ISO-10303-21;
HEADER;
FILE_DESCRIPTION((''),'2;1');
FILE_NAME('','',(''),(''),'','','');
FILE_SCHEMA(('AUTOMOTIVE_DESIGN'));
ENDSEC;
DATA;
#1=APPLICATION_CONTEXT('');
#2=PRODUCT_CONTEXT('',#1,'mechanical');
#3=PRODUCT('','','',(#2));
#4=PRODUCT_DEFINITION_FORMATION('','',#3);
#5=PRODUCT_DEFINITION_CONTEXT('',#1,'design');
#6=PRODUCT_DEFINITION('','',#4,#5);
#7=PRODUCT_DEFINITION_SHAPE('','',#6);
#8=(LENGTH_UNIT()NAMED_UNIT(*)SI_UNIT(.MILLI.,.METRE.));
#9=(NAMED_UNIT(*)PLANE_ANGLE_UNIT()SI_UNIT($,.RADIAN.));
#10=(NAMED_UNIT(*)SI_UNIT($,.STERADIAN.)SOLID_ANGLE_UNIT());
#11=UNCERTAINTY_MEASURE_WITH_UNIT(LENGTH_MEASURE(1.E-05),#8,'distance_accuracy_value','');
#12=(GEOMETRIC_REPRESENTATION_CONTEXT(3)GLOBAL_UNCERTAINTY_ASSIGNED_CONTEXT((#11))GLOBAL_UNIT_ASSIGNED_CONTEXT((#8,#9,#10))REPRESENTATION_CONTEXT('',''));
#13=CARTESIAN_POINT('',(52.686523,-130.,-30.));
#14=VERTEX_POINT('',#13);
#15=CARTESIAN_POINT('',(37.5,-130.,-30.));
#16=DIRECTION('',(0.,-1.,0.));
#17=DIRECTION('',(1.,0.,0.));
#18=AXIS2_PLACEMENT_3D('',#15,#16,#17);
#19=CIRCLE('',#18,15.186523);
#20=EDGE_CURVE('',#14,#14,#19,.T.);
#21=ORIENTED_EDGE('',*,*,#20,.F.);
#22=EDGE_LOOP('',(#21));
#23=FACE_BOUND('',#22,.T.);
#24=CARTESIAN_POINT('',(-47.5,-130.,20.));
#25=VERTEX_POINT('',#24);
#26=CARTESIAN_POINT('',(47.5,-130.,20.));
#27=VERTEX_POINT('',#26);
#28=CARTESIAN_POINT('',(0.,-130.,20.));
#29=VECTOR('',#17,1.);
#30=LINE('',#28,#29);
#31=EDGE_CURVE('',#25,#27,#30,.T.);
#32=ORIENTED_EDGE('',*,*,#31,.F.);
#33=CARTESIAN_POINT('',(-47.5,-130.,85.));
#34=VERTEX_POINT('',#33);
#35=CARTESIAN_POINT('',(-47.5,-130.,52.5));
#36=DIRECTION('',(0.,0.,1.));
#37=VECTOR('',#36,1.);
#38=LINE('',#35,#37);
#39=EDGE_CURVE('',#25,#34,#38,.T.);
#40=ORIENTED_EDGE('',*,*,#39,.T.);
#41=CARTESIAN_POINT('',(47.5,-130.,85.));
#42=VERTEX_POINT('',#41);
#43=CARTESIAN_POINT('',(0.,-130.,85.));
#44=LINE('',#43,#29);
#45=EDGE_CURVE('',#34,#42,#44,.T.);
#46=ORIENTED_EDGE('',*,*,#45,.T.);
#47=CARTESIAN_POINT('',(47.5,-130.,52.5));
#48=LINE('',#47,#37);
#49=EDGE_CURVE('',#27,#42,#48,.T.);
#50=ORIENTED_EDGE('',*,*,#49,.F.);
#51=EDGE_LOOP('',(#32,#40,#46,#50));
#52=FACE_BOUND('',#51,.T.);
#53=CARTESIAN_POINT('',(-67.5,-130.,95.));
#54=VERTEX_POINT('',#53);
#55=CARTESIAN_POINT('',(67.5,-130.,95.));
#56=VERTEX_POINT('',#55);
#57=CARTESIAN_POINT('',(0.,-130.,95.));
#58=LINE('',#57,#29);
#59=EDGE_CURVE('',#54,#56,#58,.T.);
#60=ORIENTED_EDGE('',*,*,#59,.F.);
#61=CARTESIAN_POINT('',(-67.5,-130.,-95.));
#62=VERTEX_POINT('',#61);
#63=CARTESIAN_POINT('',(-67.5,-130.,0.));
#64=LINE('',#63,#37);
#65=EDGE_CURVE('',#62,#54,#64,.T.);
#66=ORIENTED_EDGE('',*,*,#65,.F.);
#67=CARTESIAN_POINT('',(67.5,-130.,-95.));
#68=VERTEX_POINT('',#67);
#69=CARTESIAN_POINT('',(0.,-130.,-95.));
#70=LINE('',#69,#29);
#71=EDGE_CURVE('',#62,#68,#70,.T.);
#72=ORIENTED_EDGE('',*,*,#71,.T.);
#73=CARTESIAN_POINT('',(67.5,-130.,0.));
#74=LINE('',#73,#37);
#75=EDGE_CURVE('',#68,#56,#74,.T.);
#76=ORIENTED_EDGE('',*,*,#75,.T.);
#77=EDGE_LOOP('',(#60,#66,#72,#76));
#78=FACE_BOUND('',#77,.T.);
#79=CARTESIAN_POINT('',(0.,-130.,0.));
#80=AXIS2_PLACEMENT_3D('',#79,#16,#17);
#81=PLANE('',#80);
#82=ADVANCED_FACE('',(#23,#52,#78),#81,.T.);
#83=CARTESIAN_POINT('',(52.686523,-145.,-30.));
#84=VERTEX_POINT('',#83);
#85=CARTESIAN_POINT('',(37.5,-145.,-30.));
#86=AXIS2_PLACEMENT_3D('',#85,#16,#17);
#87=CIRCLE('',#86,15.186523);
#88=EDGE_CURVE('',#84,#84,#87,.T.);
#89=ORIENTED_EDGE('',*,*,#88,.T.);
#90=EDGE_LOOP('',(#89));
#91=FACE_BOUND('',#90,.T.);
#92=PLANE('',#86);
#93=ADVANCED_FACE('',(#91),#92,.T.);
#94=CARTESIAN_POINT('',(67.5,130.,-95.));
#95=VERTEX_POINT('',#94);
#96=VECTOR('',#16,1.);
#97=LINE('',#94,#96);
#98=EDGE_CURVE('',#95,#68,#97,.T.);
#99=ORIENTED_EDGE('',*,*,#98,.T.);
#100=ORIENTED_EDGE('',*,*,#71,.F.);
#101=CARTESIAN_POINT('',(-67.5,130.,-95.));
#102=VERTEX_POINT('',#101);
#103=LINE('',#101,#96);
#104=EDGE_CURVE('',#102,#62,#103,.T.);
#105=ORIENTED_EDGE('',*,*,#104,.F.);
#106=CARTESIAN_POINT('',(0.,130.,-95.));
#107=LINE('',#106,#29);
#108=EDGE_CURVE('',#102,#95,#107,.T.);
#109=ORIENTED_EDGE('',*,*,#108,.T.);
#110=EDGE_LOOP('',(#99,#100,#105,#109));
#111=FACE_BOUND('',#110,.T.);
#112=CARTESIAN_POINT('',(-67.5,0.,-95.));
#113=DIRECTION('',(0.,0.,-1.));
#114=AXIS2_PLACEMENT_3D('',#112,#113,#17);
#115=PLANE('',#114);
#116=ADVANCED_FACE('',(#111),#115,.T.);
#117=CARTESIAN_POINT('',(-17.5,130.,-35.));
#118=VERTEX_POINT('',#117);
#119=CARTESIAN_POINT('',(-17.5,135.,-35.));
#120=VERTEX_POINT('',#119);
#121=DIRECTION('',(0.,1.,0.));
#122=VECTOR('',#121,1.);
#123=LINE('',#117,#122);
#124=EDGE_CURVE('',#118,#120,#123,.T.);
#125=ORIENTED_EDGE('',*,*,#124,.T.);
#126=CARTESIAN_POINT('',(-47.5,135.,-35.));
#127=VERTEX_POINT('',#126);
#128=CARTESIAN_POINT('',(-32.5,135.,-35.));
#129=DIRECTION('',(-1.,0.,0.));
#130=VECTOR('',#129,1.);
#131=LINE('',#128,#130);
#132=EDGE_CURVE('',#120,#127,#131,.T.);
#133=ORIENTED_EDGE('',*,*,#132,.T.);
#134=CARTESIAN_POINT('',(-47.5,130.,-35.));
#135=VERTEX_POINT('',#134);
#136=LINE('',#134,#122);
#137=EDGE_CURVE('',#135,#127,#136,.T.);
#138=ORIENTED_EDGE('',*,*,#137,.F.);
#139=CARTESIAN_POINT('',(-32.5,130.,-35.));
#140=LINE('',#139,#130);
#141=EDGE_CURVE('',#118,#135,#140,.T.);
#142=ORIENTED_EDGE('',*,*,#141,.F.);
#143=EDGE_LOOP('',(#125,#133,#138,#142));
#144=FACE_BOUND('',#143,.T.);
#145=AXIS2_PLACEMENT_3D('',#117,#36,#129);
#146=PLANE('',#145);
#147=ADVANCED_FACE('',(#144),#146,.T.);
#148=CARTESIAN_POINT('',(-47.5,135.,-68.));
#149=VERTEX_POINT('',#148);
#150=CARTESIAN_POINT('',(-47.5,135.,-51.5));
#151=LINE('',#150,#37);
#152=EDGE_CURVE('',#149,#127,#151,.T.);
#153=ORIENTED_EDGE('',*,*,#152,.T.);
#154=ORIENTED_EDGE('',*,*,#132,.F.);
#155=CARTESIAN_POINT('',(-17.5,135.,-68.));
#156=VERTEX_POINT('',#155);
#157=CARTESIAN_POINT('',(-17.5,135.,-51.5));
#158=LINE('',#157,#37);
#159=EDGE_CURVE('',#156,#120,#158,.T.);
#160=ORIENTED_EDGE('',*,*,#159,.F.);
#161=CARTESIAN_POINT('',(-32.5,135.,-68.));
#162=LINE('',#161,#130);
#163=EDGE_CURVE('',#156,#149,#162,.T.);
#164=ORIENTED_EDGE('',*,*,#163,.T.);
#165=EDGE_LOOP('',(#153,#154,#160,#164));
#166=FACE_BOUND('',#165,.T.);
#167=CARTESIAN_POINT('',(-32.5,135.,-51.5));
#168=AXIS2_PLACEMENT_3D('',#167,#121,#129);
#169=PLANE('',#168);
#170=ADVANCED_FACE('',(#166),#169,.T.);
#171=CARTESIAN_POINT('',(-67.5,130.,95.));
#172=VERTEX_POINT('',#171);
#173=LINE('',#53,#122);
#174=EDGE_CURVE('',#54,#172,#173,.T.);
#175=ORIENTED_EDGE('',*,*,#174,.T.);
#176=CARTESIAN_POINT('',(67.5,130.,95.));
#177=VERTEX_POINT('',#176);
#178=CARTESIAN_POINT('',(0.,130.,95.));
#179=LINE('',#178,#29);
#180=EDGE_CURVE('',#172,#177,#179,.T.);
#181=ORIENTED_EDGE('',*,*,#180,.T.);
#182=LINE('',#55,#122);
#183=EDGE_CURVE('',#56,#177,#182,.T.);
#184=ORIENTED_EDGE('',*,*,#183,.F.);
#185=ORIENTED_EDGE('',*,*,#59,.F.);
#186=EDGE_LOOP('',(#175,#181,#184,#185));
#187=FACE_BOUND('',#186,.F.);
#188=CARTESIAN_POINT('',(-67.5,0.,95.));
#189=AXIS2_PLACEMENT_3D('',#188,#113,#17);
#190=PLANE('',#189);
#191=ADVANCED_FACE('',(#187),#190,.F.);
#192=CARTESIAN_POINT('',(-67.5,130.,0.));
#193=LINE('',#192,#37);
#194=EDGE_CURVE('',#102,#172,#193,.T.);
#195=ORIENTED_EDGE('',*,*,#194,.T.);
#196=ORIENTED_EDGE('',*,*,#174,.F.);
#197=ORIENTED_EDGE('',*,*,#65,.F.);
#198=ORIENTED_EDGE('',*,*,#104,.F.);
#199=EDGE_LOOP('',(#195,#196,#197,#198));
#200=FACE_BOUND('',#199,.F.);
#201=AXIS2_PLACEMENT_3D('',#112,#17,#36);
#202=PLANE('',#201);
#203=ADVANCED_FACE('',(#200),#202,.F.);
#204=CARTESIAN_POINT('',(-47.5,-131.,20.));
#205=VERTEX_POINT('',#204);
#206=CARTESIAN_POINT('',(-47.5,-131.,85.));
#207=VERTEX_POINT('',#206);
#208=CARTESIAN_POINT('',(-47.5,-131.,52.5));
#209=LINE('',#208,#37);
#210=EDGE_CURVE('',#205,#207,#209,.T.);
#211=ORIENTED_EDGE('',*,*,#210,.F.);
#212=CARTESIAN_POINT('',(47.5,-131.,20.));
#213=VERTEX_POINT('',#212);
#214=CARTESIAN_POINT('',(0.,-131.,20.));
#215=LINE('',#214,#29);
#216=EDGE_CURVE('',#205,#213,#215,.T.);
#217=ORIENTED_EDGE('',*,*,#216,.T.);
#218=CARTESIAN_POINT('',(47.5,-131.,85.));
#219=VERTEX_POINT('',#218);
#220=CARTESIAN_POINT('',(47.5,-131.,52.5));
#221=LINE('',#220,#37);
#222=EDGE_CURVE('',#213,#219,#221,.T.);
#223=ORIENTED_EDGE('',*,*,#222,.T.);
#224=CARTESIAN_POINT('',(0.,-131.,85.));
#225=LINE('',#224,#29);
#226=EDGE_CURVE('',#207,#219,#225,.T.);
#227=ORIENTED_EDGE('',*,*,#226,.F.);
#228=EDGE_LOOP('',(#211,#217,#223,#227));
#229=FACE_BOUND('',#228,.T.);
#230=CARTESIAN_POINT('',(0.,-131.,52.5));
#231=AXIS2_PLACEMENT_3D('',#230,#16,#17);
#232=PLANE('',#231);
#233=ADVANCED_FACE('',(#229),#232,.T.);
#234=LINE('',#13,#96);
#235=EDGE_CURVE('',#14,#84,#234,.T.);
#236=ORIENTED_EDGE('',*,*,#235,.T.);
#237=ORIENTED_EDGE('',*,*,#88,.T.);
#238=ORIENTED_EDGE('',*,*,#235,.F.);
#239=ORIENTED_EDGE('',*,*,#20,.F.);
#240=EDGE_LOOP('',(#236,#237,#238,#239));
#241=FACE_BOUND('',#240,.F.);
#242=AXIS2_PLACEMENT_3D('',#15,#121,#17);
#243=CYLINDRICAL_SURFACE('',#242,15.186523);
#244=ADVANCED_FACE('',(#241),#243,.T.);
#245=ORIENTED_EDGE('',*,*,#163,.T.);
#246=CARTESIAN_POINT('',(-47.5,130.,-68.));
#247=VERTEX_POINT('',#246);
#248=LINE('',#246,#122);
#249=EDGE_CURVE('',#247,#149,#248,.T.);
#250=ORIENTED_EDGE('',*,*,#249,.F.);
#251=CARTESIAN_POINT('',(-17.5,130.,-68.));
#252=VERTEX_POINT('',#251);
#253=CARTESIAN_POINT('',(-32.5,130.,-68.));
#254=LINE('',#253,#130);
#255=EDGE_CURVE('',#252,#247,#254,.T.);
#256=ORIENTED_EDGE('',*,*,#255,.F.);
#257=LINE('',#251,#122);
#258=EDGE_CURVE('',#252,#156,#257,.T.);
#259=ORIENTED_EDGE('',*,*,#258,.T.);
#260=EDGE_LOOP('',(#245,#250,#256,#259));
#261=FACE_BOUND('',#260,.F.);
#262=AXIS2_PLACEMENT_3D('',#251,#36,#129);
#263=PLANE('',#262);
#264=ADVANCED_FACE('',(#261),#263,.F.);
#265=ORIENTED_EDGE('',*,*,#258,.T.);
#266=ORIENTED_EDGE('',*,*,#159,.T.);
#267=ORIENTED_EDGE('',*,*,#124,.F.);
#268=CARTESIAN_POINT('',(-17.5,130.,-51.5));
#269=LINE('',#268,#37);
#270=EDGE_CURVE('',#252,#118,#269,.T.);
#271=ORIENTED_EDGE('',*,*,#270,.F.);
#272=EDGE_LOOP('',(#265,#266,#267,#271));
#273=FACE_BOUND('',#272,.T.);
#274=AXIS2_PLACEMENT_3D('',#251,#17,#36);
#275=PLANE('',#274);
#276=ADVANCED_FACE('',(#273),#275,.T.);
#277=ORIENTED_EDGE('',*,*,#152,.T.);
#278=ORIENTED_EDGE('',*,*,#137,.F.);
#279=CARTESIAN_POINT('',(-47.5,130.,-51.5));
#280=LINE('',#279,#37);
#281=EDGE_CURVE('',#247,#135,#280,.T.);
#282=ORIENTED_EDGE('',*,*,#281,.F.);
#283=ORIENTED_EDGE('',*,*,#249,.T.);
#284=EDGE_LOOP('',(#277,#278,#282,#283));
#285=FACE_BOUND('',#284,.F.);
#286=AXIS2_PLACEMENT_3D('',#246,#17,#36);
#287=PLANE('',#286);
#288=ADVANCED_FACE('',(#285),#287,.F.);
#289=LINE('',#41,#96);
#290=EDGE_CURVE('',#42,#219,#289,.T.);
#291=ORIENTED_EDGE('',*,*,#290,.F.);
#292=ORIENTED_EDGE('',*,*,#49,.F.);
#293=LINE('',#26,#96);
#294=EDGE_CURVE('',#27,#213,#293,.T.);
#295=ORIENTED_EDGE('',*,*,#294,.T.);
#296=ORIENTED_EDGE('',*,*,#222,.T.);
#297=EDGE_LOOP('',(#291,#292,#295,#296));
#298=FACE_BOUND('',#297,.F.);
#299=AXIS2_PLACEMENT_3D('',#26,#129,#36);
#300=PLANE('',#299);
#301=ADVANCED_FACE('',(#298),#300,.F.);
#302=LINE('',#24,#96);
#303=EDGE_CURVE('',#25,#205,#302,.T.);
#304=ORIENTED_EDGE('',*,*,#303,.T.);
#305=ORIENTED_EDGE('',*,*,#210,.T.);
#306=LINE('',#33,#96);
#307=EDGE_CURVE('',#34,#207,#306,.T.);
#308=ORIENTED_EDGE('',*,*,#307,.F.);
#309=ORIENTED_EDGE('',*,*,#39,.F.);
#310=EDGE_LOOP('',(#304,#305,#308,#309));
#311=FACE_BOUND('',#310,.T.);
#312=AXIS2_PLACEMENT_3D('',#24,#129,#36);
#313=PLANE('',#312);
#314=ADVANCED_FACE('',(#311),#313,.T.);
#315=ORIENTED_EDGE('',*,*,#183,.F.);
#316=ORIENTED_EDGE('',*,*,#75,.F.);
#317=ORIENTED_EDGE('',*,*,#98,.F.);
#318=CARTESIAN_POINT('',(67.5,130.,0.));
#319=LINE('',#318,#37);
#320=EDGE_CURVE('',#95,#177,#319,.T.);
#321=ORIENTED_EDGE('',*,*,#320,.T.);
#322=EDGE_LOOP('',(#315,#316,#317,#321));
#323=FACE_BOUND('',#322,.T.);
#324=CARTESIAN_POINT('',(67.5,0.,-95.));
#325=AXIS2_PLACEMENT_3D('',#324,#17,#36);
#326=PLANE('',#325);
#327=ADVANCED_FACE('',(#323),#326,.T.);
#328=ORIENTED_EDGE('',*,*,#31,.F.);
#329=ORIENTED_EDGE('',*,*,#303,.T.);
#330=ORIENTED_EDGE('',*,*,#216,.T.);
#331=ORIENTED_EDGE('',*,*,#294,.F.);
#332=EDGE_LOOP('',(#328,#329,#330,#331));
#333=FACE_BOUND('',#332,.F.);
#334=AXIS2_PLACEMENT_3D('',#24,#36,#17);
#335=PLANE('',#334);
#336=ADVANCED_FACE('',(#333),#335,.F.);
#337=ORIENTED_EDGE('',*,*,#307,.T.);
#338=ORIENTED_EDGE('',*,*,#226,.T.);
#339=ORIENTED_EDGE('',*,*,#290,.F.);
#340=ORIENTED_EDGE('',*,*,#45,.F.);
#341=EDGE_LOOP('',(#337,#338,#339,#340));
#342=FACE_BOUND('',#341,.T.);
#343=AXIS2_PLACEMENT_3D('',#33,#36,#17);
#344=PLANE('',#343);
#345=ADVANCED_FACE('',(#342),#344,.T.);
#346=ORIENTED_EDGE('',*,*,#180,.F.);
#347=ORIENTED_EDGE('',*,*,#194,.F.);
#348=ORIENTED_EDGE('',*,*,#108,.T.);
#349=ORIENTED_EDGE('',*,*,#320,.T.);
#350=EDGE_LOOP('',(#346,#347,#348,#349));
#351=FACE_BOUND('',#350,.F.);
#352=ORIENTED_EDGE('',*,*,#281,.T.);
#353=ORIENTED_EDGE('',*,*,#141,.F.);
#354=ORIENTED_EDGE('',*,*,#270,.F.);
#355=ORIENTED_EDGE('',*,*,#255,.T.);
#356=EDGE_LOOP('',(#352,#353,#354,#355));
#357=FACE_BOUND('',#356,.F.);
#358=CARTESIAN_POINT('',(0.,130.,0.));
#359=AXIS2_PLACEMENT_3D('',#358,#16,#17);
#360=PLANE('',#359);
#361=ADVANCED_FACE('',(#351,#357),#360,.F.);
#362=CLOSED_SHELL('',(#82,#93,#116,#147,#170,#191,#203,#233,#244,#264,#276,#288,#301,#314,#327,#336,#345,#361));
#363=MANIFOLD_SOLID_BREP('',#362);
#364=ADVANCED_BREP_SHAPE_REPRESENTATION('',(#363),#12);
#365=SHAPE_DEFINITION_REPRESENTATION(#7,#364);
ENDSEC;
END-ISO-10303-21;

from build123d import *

# Parameters (mm, degrees)
F0_W     = 135
F0_H     = 190
F1_DEPTH = 130
F2_R     = 15.186523
F3_DEPTH = 15
F2_W     = 95
F2_H     = 65
F4_DEPTH = 1
F5_W     = 30
F5_H     = 33
F6_DEPTH = 5


with BuildPart() as f1:
    # F0 (on Front) → F1 (new body, symmetric)
    with BuildSketch(Plane.XZ):
        Rectangle(F0_W, F0_H)
    extrude(amount=F1_DEPTH, both=True)

    # F2 (on face) → F3 (join)
    with BuildSketch(Plane.XZ.offset(130)):
        with Locations((37.5, -30)):
            Circle(F2_R)
    extrude(amount=F3_DEPTH)

    # F2 (on face) → F4 (join)
    with BuildSketch(Plane.XZ.offset(130)):
        with Locations((0, 52.5)):
            Rectangle(F2_W, F2_H)
    extrude(amount=F4_DEPTH)

    # F5 (on face) → F6 (join)
    with BuildSketch(Plane(origin=(0, 130, 0), x_dir=(-1, 0, 0), z_dir=(0, 1, 0))):
        with Locations((32.5, -51.5)):
            Rectangle(F5_W, F5_H)
    extrude(amount=F6_DEPTH)


solid = f1.part
